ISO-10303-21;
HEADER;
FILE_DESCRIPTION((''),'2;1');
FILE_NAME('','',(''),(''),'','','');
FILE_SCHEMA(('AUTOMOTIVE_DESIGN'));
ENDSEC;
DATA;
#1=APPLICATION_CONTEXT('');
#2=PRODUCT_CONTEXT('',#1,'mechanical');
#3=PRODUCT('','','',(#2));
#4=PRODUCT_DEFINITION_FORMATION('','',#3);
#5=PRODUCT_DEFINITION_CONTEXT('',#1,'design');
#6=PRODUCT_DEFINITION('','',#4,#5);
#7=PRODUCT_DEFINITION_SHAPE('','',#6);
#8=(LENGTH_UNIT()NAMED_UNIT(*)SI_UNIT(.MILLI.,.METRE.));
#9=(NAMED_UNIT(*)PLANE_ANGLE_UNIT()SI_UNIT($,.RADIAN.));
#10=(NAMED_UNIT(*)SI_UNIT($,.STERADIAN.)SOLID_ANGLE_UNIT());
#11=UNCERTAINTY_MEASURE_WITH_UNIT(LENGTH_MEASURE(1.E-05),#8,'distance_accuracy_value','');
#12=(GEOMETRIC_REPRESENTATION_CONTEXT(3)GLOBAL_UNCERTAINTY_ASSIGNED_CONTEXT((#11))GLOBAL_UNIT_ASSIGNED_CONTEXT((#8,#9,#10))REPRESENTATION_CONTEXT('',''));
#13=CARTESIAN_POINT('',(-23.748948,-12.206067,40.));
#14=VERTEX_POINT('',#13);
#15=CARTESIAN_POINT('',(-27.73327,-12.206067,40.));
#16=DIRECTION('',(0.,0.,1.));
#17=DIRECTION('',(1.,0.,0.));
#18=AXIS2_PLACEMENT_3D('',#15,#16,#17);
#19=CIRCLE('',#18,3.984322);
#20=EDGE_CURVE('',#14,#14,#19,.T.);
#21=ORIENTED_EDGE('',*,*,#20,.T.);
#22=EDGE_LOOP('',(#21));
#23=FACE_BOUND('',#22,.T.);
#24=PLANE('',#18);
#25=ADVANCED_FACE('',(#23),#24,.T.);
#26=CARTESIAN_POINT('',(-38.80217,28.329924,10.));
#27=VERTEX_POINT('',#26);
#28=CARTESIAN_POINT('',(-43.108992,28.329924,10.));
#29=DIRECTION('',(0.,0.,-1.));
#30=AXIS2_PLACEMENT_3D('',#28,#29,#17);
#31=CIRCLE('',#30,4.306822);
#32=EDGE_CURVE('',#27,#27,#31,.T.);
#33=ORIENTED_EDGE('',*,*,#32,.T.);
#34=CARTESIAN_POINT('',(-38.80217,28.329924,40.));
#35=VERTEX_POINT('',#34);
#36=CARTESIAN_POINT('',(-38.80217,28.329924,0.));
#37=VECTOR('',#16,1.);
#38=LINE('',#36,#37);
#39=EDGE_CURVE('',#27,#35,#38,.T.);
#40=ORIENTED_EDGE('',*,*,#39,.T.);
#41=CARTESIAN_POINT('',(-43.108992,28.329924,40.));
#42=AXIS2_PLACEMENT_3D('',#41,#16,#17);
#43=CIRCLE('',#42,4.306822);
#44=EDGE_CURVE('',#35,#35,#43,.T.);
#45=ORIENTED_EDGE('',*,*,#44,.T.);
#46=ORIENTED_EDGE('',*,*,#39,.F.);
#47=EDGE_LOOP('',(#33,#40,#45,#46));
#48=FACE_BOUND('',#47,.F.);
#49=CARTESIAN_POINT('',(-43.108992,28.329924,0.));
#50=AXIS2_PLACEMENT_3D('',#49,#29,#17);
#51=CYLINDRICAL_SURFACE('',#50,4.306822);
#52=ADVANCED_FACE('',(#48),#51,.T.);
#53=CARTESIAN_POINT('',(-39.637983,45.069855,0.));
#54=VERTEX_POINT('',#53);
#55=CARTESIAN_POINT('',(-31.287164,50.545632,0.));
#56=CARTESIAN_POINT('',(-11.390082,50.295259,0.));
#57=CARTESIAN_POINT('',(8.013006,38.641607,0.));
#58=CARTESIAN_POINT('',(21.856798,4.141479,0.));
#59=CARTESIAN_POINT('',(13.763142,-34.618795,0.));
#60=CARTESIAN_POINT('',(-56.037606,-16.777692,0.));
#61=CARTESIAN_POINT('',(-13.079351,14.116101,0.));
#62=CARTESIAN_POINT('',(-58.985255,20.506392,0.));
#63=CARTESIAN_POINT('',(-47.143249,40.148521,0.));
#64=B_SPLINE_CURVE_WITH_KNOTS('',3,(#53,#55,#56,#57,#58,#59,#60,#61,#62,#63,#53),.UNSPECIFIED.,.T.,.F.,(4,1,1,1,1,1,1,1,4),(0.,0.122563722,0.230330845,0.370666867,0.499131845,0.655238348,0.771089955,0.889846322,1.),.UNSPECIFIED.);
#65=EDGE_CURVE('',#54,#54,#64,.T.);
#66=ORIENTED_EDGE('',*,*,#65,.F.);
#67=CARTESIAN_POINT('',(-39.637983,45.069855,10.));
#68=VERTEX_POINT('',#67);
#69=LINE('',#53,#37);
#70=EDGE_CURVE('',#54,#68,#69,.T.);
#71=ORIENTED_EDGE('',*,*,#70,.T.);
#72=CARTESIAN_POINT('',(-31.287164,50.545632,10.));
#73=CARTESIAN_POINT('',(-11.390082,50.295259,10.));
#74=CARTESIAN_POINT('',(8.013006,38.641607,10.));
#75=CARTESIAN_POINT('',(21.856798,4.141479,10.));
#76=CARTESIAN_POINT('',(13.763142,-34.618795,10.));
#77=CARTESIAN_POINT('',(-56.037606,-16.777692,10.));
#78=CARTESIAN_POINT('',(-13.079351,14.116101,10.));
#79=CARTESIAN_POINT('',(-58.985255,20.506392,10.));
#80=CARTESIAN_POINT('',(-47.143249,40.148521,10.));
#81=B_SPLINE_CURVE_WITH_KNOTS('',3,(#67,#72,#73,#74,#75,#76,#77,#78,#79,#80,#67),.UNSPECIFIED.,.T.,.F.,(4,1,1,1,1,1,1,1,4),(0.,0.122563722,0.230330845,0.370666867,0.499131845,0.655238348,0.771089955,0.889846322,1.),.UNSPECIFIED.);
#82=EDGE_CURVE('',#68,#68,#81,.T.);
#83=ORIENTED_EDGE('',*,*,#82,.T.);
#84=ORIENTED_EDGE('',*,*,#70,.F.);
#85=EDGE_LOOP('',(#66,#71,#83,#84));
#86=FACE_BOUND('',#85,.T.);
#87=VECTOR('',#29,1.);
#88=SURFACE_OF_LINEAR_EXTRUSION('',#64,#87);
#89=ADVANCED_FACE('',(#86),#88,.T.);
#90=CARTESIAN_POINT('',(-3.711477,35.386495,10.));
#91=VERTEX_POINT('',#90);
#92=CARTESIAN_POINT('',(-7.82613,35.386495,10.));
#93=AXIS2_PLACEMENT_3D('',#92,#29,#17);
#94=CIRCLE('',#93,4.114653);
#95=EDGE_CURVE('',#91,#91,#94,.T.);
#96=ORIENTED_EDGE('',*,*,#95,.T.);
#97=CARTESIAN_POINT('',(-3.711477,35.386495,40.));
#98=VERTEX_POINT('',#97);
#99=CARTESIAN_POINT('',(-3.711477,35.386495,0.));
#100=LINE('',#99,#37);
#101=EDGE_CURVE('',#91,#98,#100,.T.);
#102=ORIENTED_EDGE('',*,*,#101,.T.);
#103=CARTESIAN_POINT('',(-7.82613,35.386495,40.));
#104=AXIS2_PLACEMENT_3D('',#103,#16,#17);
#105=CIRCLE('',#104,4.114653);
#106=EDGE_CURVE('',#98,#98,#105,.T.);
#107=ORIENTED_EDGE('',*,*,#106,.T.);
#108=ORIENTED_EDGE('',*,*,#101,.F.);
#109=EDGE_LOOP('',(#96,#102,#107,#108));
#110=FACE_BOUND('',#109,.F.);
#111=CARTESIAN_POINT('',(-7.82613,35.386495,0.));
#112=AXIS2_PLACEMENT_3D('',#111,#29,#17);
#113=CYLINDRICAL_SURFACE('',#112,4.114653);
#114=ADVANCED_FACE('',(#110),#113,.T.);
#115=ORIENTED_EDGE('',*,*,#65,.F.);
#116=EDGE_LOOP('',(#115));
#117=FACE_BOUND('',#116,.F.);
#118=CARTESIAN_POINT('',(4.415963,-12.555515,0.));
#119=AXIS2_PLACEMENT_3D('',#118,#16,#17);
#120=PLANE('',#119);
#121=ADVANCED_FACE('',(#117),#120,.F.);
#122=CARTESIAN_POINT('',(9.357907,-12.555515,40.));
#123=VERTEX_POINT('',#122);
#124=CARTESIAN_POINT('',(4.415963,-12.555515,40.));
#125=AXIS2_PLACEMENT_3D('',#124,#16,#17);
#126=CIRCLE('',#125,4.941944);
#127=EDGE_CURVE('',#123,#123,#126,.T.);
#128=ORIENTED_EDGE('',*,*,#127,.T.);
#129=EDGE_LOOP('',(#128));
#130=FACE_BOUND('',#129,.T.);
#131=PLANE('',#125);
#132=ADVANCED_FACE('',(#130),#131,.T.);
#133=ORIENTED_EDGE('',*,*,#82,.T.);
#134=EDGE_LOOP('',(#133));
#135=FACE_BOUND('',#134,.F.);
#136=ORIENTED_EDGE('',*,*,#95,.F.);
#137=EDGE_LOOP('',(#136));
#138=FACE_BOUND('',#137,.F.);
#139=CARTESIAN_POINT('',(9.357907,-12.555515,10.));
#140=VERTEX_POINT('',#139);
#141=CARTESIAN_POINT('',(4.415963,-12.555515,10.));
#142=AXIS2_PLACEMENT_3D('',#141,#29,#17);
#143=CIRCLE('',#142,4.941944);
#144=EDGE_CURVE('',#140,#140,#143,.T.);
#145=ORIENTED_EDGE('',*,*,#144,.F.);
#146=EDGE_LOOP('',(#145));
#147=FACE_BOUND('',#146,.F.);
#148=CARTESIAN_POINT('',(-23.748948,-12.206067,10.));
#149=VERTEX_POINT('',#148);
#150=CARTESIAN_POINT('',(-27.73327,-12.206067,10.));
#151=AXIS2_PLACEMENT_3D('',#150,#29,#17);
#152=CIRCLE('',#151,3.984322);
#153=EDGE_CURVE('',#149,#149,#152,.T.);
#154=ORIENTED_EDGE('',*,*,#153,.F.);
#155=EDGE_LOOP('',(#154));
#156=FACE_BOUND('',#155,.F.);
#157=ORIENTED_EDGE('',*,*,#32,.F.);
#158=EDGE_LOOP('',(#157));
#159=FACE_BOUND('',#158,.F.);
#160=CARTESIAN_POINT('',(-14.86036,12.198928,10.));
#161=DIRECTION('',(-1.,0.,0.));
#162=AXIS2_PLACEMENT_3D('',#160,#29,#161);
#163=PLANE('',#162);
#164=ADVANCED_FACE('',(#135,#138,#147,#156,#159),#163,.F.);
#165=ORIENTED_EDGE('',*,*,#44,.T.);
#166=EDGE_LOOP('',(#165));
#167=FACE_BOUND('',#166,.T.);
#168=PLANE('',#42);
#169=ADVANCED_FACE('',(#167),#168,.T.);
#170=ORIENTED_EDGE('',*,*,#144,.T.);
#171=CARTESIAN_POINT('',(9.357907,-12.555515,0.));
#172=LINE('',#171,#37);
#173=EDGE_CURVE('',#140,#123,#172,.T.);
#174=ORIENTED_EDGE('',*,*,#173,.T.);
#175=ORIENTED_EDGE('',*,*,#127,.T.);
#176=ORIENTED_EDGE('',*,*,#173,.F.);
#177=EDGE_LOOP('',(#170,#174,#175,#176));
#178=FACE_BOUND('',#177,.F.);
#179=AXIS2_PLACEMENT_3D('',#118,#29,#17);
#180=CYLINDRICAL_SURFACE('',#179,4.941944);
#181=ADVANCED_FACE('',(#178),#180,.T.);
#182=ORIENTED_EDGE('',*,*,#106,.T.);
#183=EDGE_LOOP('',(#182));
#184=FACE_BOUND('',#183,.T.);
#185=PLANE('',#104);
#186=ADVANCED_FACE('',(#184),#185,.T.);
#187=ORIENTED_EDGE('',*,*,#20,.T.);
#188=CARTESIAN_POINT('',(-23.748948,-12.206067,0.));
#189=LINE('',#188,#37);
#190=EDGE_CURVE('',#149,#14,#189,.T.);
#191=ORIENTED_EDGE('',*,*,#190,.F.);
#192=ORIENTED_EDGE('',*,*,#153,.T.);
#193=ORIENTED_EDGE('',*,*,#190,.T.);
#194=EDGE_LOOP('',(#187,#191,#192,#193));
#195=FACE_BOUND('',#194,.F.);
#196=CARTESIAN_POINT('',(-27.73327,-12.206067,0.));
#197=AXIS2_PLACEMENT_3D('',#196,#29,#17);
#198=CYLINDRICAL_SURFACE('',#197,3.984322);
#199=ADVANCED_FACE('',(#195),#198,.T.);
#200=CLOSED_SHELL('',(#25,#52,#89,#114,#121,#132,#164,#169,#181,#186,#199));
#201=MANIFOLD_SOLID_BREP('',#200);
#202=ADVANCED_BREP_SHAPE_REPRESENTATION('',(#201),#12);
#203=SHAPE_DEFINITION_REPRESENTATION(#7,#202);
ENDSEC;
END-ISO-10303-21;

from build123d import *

# Parameters (mm, degrees)
F1_DEPTH = 10
F2_R     = 4.941943737
F2_R_2   = 4.1146527774
F2_R_3   = 4.3068218636
F2_R_4   = 3.9843220754
F3_DEPTH = 40


with BuildPart() as f1:
    # F0 (on Top) → F1 (new body)
    with BuildSketch(Plane.XY):
        with BuildLine():
            add(Edge.make_bspline(
                [(-39.6379828453, 45.0698547065), (-31.2871639461, 50.5456317163), (-11.3900815962, 50.2952589699), (8.0130061153, 38.6416072394), (21.8567977138, 4.1414792801), (13.7631423684, -34.6187951551), (-56.0376063777, -16.7776923382), (-13.0793510352, 14.1161014967), (-58.9852547129, 20.5063919448), (-47.1432494903, 40.1485209975), (-39.6379828453, 45.0698547065)],
                knots=[0, 0, 0, 0, 0.1225637218, 0.2303308453, 0.3706668668, 0.4991318448, 0.6552383479, 0.7710899547, 0.8898463224, 1, 1, 1, 1], degree=3))
        make_face()
    extrude(amount=F1_DEPTH)

    # F2 (on Top) → F3 (join)
    with BuildSketch(Plane.XY):
        with Locations((4.4159633107, -12.5555153936)):
            Circle(F2_R)
        with Locations((-7.8261299059, 35.3864952922)):
            Circle(F2_R_2)
        with Locations((-43.1089922786, 28.329923749)):
            Circle(F2_R_3)
        with Locations((-27.7332700789, -12.2060673311)):
            Circle(F2_R_4)
    extrude(amount=F3_DEPTH)


solid = f1.part
